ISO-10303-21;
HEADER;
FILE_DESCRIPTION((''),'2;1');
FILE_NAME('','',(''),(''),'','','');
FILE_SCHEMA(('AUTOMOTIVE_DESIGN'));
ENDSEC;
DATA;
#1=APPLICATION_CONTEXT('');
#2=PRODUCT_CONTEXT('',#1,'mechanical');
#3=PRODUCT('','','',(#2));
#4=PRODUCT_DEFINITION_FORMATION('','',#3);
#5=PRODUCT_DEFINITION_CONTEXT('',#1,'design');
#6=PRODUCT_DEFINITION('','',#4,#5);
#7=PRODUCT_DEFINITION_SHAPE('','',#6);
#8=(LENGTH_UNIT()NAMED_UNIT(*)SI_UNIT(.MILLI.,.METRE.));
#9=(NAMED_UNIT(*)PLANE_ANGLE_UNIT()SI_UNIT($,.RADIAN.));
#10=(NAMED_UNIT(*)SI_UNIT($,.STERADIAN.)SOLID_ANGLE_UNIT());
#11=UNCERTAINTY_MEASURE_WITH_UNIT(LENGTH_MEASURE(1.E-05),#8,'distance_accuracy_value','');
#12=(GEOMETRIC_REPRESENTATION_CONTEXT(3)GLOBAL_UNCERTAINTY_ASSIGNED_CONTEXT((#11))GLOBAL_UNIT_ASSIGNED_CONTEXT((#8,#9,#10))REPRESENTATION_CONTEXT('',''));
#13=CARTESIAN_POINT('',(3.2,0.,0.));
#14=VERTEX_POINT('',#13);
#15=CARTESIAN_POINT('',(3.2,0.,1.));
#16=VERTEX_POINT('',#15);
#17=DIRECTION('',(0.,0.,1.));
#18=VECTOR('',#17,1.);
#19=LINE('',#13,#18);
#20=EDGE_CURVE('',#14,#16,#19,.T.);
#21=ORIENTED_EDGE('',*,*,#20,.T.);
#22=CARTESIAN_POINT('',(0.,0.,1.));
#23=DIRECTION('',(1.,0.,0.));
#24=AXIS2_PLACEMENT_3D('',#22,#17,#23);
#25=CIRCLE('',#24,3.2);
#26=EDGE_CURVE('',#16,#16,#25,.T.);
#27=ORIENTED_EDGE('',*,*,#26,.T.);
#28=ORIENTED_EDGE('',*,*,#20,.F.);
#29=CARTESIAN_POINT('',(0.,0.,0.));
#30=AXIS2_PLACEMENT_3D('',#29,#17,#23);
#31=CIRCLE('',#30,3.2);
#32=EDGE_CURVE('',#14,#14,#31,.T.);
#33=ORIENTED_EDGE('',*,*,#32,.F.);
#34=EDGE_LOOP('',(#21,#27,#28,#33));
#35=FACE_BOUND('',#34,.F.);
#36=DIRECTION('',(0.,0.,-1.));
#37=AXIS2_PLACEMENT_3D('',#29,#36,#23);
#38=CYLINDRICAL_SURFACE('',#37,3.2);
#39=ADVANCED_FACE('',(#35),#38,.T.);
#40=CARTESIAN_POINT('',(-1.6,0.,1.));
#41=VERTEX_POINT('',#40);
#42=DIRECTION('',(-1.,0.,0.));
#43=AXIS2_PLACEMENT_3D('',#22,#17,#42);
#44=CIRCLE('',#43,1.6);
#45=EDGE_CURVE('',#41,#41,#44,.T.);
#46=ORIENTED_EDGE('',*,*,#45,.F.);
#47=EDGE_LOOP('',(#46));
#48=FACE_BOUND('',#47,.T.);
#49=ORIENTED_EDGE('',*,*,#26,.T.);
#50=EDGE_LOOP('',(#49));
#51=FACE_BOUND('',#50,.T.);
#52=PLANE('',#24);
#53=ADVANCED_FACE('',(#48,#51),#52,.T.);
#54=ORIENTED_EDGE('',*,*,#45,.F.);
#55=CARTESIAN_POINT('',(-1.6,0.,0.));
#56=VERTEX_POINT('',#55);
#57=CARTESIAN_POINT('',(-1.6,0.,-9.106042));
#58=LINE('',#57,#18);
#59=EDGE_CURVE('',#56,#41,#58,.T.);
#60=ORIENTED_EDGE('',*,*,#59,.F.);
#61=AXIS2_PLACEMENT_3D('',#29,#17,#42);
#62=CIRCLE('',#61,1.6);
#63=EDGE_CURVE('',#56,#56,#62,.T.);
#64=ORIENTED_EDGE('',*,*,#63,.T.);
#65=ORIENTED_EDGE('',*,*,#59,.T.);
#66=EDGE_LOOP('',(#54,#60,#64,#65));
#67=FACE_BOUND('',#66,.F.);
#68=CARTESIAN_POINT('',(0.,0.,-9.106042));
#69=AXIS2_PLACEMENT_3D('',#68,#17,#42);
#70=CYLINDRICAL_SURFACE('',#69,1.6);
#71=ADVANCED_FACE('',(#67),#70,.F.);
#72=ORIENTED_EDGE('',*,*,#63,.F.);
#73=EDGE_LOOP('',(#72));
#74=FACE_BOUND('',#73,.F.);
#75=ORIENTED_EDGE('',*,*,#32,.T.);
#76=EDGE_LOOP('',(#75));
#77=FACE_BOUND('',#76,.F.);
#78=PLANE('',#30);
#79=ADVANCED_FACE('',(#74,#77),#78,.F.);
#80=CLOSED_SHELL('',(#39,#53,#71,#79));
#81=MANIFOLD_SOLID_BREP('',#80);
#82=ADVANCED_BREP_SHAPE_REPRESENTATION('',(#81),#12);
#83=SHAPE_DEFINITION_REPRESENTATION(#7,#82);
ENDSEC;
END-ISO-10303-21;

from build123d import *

# Parameters (mm, degrees)
F0_R     = 3.2
F1_DEPTH = 1
F2_D     = 3.2


with BuildPart() as f1:
    # F0 (on Top) → F1 (new body)
    with BuildSketch(Plane.XY):
        Circle(F0_R)
    extrude(amount=F1_DEPTH)

    # F2 (through all)
    with Locations(Plane(origin=(0, 0, 0), x_dir=(1, 0, 0), z_dir=(0, 0, -1))):
        with Locations((0, 0)):
            Hole(F2_D / 2)


solid = f1.part
